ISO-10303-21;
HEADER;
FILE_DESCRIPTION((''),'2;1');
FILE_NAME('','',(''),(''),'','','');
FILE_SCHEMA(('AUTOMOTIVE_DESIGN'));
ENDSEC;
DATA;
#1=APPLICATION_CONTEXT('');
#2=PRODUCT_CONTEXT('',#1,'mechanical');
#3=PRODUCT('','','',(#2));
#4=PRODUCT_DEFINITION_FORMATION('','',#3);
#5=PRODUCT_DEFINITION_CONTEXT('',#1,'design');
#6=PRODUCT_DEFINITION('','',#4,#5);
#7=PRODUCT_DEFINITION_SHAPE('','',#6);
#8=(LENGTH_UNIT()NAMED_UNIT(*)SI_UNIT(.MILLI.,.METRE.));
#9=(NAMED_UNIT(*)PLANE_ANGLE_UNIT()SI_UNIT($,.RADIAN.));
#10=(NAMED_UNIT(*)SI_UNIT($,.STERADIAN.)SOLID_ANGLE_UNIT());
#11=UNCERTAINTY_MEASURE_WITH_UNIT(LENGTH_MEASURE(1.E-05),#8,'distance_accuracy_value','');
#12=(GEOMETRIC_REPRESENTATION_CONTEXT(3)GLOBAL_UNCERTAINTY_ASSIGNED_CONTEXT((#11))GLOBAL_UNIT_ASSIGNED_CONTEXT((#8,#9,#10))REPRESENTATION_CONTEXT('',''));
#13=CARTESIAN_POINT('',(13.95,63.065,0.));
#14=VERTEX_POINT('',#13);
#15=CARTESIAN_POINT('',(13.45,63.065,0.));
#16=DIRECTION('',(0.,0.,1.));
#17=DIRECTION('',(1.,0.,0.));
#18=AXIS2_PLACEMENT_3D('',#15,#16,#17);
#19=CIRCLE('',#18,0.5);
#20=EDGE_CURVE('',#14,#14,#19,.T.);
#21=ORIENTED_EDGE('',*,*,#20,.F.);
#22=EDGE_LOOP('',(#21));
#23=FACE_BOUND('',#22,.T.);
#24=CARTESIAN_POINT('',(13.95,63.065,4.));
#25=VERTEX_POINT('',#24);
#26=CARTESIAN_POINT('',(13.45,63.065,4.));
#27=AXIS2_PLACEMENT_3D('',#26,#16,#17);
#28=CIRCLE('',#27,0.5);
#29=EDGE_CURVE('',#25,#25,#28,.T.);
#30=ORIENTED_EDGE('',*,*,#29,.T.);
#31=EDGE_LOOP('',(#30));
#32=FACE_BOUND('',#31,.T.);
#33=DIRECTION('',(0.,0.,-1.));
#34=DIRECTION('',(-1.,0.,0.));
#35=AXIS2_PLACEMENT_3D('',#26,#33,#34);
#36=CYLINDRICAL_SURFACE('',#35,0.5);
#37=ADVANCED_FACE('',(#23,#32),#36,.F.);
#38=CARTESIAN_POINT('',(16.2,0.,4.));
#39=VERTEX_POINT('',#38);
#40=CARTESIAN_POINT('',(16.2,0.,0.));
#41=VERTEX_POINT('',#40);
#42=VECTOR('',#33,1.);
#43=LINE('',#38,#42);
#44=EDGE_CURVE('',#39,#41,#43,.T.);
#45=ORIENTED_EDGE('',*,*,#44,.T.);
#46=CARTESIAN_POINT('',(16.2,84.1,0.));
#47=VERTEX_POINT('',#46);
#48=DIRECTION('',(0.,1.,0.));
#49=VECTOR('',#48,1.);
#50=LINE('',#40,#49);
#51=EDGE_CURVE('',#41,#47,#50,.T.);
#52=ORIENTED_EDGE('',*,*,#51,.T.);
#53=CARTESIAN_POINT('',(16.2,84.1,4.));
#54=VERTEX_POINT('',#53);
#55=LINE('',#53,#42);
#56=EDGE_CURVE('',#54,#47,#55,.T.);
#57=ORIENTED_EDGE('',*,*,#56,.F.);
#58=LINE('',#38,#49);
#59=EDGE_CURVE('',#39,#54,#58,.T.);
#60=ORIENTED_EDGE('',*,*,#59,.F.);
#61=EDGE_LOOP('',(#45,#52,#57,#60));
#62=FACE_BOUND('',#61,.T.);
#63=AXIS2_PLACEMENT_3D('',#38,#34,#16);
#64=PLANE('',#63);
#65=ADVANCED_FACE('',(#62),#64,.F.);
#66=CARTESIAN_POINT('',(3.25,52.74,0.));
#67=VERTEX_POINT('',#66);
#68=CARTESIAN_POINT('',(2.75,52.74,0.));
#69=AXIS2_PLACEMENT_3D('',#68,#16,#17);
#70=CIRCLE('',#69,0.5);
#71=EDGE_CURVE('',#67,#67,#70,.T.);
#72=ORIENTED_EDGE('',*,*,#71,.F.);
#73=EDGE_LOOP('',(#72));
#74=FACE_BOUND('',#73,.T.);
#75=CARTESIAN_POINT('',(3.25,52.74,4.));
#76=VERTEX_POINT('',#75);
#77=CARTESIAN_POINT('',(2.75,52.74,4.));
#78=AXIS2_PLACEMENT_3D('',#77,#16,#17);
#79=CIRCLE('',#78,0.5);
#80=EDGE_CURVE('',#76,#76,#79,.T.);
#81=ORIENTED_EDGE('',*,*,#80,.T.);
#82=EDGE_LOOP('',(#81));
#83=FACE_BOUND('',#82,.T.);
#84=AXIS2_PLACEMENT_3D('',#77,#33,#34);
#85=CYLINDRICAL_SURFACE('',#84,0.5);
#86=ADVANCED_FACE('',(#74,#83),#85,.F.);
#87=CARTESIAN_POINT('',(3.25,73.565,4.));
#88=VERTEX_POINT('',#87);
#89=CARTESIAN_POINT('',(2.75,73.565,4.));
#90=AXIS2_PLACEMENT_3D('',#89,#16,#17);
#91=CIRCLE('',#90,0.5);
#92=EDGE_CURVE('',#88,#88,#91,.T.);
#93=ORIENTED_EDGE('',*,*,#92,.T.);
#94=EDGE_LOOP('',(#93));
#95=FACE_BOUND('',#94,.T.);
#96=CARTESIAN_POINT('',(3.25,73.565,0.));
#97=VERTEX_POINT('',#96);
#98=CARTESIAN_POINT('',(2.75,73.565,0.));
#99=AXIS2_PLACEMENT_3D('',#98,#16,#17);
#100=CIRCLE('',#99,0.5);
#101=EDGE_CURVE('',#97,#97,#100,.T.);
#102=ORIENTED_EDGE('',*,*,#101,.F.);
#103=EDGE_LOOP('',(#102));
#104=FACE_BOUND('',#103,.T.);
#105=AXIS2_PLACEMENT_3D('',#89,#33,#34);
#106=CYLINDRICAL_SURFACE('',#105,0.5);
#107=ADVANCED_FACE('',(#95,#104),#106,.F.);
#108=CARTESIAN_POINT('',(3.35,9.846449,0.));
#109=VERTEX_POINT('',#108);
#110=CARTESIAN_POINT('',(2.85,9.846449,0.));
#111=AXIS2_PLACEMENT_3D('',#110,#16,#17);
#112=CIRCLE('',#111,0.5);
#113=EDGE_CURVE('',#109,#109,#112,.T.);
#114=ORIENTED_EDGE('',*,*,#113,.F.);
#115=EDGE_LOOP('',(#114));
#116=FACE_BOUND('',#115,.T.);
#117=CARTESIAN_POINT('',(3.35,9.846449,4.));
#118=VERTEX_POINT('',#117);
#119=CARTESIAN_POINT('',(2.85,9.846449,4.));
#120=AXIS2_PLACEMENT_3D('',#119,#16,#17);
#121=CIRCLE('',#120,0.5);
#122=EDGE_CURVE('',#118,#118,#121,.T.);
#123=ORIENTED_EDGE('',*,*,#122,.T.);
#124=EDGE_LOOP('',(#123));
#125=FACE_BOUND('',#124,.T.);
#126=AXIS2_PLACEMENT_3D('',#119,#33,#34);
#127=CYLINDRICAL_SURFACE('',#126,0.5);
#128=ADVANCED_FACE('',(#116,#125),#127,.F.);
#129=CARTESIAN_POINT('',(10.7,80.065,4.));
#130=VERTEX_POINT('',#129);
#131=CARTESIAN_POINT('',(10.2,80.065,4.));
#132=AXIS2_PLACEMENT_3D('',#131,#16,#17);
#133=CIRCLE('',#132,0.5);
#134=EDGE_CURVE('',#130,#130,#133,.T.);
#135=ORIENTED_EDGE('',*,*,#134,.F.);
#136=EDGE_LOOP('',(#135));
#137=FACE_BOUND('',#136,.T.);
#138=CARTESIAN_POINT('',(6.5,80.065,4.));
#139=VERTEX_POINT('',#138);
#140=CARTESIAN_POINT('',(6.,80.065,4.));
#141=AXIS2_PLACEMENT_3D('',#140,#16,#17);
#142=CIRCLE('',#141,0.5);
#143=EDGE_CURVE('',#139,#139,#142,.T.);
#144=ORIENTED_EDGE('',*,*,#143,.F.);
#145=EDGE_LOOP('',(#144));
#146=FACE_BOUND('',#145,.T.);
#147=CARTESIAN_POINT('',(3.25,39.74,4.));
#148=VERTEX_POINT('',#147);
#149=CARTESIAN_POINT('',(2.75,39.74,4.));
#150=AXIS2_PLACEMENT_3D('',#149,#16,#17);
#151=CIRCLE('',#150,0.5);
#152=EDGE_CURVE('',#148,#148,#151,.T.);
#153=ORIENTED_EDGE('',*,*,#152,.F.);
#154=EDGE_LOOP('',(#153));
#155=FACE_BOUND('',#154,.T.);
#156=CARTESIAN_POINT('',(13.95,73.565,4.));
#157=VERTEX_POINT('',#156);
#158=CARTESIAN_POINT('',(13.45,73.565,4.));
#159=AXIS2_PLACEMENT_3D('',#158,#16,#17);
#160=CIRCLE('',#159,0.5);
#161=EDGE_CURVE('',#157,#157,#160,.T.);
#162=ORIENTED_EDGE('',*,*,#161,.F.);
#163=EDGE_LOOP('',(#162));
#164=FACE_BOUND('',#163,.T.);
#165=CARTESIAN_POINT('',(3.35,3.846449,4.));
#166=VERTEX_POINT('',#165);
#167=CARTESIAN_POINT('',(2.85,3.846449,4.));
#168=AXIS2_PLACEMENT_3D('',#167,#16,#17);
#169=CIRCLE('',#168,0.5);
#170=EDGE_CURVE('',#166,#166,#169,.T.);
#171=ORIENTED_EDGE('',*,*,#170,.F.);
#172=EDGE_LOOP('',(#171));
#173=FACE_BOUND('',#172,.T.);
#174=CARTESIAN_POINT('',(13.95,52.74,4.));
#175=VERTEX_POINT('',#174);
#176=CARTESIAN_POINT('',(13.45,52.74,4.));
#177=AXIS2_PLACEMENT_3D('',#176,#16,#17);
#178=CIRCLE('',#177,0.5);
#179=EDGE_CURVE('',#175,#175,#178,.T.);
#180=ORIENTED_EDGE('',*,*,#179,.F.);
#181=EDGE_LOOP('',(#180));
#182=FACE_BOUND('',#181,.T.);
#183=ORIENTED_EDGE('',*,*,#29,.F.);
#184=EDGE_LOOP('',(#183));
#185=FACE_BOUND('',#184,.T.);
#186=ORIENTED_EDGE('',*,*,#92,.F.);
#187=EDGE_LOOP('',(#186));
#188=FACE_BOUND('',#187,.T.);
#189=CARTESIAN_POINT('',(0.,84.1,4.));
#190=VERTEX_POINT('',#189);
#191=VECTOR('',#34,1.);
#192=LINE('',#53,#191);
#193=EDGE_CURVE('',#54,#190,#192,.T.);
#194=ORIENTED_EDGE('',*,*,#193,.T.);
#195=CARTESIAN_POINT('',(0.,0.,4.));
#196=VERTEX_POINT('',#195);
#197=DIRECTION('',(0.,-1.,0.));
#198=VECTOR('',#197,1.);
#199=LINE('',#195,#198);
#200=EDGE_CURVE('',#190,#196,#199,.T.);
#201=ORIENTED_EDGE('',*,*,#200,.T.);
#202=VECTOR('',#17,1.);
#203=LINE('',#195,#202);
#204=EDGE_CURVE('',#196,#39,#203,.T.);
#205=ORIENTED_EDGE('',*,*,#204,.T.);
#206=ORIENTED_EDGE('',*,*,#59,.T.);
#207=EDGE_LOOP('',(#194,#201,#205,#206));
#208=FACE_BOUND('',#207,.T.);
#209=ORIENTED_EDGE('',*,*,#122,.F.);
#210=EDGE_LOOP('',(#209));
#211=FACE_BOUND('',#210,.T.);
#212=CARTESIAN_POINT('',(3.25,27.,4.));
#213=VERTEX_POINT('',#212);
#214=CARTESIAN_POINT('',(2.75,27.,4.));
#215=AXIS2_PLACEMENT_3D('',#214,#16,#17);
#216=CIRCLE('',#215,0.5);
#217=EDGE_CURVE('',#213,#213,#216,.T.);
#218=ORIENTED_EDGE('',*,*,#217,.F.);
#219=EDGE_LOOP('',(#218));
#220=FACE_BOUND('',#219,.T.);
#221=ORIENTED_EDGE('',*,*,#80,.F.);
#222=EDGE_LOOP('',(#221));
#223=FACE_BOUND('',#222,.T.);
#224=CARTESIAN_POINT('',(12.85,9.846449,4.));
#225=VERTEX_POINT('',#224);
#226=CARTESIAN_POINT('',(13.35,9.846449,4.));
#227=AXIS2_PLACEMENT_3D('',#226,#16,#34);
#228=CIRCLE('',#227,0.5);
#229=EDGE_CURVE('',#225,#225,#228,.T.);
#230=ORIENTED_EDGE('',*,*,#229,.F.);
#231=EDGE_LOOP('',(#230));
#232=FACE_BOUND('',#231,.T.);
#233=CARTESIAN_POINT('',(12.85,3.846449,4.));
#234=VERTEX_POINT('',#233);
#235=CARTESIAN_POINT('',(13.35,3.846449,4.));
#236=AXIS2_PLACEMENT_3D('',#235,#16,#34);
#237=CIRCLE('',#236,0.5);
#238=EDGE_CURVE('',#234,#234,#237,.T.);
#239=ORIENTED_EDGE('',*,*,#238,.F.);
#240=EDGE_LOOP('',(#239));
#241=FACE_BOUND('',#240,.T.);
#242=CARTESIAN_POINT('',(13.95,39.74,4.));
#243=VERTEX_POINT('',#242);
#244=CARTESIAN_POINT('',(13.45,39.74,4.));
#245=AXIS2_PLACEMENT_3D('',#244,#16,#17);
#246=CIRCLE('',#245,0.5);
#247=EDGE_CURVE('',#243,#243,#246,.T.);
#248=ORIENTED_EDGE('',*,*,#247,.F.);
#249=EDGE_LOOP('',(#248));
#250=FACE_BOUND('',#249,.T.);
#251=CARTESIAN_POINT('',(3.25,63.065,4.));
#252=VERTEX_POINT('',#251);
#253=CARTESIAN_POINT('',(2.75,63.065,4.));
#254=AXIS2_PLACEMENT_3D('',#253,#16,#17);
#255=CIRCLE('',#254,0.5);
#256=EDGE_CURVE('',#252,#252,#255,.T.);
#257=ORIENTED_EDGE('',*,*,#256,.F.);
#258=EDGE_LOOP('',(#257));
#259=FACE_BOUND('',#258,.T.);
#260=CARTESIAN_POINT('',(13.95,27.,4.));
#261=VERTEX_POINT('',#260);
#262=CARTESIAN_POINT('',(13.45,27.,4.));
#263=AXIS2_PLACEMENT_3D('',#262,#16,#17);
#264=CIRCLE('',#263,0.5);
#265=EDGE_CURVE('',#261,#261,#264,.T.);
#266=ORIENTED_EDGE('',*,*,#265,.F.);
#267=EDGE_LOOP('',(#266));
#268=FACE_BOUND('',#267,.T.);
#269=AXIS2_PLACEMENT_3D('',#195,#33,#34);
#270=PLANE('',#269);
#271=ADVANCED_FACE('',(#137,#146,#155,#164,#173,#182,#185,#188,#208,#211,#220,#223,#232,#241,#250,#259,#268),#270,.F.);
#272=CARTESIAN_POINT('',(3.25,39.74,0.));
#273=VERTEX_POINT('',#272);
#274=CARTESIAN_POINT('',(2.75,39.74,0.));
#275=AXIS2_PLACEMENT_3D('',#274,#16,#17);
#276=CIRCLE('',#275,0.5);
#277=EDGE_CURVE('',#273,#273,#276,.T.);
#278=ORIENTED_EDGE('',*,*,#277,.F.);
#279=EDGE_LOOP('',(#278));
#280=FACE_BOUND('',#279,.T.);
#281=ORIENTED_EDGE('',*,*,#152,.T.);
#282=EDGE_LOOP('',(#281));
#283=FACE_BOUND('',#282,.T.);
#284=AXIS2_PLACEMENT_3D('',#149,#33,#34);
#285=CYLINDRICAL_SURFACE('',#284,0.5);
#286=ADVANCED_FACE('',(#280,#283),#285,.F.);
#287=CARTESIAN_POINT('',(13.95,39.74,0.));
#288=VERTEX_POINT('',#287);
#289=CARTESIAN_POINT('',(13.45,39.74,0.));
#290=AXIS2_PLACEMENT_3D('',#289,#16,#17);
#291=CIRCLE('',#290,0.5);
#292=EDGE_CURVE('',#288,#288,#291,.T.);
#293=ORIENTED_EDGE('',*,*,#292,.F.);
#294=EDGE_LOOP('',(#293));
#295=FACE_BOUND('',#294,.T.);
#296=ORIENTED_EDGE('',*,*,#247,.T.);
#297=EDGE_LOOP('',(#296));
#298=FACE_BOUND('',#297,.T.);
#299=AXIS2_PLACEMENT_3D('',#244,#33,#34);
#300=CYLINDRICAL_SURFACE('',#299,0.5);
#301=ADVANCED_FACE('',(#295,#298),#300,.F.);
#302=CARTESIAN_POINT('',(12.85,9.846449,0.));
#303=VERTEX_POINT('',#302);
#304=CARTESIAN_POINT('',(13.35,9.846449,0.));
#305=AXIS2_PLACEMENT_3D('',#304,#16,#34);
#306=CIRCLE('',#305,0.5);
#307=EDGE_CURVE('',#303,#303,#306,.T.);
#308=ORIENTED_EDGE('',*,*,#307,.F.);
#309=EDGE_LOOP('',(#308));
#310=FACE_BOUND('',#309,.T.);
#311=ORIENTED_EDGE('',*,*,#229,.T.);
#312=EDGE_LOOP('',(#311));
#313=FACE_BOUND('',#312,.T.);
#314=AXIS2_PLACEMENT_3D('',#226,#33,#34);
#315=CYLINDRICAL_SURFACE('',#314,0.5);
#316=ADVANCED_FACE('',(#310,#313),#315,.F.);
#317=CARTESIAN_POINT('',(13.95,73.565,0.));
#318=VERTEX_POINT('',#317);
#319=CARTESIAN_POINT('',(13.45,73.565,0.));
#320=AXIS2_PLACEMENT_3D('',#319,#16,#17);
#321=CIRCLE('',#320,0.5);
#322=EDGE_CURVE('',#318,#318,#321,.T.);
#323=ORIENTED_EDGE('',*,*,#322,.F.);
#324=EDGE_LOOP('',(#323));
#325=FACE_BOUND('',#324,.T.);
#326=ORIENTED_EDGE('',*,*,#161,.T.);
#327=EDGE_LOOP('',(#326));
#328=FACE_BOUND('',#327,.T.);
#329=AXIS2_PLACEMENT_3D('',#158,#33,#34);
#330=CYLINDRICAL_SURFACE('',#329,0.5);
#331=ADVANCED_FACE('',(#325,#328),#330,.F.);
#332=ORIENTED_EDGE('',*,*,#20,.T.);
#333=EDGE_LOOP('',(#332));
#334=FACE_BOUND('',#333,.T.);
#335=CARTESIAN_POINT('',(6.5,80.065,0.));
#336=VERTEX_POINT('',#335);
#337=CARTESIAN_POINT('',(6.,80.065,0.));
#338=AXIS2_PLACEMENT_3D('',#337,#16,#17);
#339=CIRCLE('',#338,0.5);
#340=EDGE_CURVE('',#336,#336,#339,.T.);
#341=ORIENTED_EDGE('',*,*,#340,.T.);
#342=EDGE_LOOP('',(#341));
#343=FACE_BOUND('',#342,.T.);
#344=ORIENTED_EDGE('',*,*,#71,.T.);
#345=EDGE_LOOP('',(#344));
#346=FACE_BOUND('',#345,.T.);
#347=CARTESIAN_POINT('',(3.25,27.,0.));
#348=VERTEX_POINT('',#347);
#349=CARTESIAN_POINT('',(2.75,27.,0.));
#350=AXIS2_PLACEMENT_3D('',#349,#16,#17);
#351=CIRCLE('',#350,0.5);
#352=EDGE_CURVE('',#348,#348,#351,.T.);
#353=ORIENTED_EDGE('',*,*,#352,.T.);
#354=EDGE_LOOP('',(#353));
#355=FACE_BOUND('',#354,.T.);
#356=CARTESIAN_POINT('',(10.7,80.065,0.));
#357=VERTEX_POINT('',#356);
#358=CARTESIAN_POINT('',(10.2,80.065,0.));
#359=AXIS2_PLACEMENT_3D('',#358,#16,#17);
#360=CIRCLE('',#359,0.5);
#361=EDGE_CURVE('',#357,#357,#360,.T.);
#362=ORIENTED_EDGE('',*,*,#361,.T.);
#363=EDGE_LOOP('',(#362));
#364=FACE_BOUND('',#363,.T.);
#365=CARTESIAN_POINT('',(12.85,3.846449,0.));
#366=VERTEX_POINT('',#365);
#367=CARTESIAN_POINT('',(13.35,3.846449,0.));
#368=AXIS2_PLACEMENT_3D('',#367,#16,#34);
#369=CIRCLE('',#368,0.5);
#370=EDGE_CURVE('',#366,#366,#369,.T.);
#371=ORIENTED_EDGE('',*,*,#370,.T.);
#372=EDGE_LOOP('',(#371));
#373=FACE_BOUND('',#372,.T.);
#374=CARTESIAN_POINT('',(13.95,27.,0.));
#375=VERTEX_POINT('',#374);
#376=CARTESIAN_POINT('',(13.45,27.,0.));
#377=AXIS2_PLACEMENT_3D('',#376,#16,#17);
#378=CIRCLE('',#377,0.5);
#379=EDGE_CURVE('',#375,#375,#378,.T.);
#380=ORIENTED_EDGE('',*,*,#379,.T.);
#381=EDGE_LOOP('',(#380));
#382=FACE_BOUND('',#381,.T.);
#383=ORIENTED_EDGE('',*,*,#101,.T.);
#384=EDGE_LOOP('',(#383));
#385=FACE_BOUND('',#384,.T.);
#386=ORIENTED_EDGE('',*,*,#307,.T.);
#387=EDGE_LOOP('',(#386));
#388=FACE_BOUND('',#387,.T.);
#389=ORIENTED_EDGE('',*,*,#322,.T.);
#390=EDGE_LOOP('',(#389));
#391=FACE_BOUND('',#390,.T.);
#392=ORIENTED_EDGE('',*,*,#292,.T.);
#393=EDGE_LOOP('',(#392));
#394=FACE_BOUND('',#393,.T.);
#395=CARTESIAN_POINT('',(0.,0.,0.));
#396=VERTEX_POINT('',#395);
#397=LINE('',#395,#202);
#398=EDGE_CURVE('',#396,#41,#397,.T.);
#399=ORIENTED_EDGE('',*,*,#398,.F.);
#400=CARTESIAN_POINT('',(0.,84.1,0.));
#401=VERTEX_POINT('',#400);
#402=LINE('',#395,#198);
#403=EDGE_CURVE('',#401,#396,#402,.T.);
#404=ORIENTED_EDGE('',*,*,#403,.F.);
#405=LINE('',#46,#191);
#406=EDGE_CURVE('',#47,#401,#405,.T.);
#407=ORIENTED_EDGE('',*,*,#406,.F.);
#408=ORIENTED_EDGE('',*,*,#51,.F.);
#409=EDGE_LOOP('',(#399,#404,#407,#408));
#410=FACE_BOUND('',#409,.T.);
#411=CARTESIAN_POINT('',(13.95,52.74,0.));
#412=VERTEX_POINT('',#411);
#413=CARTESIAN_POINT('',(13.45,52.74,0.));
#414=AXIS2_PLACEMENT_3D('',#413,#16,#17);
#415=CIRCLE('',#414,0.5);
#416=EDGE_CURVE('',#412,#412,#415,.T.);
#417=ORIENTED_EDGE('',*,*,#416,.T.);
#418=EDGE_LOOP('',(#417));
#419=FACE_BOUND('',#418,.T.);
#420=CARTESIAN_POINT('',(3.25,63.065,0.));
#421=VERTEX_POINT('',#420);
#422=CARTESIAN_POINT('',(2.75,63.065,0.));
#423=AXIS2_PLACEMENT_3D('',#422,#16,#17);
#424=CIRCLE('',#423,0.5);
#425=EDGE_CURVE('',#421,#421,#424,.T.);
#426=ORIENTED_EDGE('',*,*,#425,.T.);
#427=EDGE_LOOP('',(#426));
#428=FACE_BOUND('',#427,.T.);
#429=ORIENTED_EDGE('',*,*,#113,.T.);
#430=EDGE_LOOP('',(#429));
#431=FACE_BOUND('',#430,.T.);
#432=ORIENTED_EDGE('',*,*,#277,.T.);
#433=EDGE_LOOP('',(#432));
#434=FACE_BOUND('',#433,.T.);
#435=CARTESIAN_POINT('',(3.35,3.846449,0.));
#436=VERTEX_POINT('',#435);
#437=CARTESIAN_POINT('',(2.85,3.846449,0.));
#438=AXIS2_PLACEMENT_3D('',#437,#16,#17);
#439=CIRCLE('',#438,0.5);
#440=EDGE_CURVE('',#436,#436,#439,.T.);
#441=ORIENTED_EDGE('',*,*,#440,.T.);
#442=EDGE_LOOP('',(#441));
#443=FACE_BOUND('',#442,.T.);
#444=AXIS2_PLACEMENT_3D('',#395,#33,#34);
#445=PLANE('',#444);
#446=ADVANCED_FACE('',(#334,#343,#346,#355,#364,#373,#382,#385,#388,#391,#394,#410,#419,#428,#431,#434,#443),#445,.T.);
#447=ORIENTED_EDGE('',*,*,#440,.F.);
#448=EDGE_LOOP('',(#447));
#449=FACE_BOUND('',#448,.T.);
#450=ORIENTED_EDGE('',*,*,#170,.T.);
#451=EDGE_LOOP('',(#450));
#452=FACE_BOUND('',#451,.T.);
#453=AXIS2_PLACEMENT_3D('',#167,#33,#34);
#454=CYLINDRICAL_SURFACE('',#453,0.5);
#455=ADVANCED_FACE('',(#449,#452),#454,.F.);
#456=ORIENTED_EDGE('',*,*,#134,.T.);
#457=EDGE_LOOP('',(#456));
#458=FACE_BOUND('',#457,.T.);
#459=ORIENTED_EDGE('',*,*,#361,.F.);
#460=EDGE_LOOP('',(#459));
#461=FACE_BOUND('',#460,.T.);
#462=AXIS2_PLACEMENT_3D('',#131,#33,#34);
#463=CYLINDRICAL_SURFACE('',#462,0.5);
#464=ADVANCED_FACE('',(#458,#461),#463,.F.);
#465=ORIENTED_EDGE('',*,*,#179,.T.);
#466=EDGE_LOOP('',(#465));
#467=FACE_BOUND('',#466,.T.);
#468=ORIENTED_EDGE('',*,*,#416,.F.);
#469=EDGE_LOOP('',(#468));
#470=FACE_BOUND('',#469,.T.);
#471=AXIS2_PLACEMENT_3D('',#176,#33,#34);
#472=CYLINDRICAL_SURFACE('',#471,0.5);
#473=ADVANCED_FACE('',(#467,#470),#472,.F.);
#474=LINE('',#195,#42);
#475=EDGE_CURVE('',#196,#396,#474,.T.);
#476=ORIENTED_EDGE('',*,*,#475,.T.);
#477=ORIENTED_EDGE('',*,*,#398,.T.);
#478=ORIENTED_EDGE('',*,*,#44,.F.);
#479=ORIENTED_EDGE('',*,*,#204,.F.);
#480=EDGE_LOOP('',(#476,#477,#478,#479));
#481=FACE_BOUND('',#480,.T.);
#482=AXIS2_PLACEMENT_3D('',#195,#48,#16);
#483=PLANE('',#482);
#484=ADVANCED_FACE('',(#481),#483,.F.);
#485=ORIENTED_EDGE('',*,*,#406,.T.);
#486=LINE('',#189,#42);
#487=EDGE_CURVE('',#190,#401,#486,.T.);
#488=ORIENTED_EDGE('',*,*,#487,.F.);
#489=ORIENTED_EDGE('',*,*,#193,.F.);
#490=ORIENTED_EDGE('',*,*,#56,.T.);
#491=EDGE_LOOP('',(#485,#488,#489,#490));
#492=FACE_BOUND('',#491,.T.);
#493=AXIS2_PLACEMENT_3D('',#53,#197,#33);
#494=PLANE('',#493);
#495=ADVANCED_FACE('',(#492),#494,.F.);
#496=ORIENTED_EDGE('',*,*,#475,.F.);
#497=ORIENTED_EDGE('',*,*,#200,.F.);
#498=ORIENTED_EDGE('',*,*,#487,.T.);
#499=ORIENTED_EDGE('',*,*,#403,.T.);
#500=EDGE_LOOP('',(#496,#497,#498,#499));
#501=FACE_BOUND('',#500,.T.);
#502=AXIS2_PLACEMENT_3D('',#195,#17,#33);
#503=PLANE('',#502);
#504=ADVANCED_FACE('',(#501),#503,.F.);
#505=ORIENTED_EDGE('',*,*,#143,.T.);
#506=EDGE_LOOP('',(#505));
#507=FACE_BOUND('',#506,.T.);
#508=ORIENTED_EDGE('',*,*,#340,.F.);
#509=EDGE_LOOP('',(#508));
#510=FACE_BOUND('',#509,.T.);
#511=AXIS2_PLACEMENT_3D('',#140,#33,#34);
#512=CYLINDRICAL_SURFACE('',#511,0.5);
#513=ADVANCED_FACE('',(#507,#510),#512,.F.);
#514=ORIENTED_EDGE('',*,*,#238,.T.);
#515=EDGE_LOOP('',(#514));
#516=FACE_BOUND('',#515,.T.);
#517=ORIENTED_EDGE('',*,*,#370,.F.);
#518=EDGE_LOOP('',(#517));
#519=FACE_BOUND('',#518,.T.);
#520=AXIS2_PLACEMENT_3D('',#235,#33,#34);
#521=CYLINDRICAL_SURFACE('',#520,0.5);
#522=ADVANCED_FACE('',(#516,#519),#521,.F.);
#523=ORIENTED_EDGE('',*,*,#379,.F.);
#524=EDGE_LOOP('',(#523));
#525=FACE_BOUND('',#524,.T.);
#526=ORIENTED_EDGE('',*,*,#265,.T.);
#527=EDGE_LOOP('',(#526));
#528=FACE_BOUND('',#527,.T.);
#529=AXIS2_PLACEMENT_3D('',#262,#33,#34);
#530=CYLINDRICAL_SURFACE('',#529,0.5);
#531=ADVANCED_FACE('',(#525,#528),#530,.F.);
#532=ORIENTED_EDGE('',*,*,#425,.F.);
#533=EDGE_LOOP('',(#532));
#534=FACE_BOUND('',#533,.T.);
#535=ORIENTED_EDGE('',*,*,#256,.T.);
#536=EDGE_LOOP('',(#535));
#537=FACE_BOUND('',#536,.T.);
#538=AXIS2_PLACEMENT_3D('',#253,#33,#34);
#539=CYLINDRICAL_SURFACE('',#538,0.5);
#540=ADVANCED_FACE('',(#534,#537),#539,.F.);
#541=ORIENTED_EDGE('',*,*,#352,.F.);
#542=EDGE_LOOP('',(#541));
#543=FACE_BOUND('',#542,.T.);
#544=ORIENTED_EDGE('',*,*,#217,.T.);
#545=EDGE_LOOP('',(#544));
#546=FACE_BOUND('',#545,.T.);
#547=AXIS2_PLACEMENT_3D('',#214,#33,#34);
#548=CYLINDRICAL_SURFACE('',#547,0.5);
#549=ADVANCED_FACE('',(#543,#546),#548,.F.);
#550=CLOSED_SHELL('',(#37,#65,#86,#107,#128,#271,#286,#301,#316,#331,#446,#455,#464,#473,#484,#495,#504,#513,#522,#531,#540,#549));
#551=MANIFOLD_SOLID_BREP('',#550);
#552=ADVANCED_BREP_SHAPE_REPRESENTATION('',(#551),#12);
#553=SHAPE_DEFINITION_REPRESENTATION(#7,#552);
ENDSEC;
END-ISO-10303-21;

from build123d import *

# Parameters (mm, degrees)
SKETCH1_W           = 16.2
SKETCH1_H           = 84.1
SKETCH1_R           = 0.5
BOSS_EXTRUDE1_DEPTH = 4


with BuildPart() as part:
    # Sketch1 → Boss-Extrude1 (new body)
    with BuildSketch(Plane.XY):
        with Locations((8.1, 42.05)):
            Rectangle(SKETCH1_W, SKETCH1_H)
        with Locations((13.45, 39.74)):
            Circle(SKETCH1_R, mode=Mode.SUBTRACT)
        with Locations((2.75, 63.065)):
            Circle(SKETCH1_R, mode=Mode.SUBTRACT)
        with Locations((13.45, 52.74)):
            Circle(SKETCH1_R, mode=Mode.SUBTRACT)
        with Locations((13.45, 73.565)):
            Circle(SKETCH1_R, mode=Mode.SUBTRACT)
        with Locations((2.75, 27)):
            Circle(SKETCH1_R, mode=Mode.SUBTRACT)
        with Locations((2.75, 73.565)):
            Circle(SKETCH1_R, mode=Mode.SUBTRACT)
        with Locations((2.75, 52.74)):
            Circle(SKETCH1_R, mode=Mode.SUBTRACT)
        with Locations((2.85, 9.846448831)):
            Circle(SKETCH1_R, mode=Mode.SUBTRACT)
        with Locations(Location((13.35, 9.846448831, 0), (0, 0, 180))):
            Circle(SKETCH1_R, mode=Mode.SUBTRACT)
        with Locations(Location((13.35, 3.846448831, 0), (0, 0, 180))):
            Circle(SKETCH1_R, mode=Mode.SUBTRACT)
        with Locations((2.85, 3.846448831)):
            Circle(SKETCH1_R, mode=Mode.SUBTRACT)
        with Locations((6, 80.065)):
            Circle(SKETCH1_R, mode=Mode.SUBTRACT)
        with Locations((13.45, 27)):
            Circle(SKETCH1_R, mode=Mode.SUBTRACT)
        with Locations((13.45, 63.065)):
            Circle(SKETCH1_R, mode=Mode.SUBTRACT)
        with Locations((10.2, 80.065)):
            Circle(SKETCH1_R, mode=Mode.SUBTRACT)
        with Locations((2.75, 39.74)):
            Circle(SKETCH1_R, mode=Mode.SUBTRACT)
    extrude(amount=BOSS_EXTRUDE1_DEPTH)


solid = part.part
